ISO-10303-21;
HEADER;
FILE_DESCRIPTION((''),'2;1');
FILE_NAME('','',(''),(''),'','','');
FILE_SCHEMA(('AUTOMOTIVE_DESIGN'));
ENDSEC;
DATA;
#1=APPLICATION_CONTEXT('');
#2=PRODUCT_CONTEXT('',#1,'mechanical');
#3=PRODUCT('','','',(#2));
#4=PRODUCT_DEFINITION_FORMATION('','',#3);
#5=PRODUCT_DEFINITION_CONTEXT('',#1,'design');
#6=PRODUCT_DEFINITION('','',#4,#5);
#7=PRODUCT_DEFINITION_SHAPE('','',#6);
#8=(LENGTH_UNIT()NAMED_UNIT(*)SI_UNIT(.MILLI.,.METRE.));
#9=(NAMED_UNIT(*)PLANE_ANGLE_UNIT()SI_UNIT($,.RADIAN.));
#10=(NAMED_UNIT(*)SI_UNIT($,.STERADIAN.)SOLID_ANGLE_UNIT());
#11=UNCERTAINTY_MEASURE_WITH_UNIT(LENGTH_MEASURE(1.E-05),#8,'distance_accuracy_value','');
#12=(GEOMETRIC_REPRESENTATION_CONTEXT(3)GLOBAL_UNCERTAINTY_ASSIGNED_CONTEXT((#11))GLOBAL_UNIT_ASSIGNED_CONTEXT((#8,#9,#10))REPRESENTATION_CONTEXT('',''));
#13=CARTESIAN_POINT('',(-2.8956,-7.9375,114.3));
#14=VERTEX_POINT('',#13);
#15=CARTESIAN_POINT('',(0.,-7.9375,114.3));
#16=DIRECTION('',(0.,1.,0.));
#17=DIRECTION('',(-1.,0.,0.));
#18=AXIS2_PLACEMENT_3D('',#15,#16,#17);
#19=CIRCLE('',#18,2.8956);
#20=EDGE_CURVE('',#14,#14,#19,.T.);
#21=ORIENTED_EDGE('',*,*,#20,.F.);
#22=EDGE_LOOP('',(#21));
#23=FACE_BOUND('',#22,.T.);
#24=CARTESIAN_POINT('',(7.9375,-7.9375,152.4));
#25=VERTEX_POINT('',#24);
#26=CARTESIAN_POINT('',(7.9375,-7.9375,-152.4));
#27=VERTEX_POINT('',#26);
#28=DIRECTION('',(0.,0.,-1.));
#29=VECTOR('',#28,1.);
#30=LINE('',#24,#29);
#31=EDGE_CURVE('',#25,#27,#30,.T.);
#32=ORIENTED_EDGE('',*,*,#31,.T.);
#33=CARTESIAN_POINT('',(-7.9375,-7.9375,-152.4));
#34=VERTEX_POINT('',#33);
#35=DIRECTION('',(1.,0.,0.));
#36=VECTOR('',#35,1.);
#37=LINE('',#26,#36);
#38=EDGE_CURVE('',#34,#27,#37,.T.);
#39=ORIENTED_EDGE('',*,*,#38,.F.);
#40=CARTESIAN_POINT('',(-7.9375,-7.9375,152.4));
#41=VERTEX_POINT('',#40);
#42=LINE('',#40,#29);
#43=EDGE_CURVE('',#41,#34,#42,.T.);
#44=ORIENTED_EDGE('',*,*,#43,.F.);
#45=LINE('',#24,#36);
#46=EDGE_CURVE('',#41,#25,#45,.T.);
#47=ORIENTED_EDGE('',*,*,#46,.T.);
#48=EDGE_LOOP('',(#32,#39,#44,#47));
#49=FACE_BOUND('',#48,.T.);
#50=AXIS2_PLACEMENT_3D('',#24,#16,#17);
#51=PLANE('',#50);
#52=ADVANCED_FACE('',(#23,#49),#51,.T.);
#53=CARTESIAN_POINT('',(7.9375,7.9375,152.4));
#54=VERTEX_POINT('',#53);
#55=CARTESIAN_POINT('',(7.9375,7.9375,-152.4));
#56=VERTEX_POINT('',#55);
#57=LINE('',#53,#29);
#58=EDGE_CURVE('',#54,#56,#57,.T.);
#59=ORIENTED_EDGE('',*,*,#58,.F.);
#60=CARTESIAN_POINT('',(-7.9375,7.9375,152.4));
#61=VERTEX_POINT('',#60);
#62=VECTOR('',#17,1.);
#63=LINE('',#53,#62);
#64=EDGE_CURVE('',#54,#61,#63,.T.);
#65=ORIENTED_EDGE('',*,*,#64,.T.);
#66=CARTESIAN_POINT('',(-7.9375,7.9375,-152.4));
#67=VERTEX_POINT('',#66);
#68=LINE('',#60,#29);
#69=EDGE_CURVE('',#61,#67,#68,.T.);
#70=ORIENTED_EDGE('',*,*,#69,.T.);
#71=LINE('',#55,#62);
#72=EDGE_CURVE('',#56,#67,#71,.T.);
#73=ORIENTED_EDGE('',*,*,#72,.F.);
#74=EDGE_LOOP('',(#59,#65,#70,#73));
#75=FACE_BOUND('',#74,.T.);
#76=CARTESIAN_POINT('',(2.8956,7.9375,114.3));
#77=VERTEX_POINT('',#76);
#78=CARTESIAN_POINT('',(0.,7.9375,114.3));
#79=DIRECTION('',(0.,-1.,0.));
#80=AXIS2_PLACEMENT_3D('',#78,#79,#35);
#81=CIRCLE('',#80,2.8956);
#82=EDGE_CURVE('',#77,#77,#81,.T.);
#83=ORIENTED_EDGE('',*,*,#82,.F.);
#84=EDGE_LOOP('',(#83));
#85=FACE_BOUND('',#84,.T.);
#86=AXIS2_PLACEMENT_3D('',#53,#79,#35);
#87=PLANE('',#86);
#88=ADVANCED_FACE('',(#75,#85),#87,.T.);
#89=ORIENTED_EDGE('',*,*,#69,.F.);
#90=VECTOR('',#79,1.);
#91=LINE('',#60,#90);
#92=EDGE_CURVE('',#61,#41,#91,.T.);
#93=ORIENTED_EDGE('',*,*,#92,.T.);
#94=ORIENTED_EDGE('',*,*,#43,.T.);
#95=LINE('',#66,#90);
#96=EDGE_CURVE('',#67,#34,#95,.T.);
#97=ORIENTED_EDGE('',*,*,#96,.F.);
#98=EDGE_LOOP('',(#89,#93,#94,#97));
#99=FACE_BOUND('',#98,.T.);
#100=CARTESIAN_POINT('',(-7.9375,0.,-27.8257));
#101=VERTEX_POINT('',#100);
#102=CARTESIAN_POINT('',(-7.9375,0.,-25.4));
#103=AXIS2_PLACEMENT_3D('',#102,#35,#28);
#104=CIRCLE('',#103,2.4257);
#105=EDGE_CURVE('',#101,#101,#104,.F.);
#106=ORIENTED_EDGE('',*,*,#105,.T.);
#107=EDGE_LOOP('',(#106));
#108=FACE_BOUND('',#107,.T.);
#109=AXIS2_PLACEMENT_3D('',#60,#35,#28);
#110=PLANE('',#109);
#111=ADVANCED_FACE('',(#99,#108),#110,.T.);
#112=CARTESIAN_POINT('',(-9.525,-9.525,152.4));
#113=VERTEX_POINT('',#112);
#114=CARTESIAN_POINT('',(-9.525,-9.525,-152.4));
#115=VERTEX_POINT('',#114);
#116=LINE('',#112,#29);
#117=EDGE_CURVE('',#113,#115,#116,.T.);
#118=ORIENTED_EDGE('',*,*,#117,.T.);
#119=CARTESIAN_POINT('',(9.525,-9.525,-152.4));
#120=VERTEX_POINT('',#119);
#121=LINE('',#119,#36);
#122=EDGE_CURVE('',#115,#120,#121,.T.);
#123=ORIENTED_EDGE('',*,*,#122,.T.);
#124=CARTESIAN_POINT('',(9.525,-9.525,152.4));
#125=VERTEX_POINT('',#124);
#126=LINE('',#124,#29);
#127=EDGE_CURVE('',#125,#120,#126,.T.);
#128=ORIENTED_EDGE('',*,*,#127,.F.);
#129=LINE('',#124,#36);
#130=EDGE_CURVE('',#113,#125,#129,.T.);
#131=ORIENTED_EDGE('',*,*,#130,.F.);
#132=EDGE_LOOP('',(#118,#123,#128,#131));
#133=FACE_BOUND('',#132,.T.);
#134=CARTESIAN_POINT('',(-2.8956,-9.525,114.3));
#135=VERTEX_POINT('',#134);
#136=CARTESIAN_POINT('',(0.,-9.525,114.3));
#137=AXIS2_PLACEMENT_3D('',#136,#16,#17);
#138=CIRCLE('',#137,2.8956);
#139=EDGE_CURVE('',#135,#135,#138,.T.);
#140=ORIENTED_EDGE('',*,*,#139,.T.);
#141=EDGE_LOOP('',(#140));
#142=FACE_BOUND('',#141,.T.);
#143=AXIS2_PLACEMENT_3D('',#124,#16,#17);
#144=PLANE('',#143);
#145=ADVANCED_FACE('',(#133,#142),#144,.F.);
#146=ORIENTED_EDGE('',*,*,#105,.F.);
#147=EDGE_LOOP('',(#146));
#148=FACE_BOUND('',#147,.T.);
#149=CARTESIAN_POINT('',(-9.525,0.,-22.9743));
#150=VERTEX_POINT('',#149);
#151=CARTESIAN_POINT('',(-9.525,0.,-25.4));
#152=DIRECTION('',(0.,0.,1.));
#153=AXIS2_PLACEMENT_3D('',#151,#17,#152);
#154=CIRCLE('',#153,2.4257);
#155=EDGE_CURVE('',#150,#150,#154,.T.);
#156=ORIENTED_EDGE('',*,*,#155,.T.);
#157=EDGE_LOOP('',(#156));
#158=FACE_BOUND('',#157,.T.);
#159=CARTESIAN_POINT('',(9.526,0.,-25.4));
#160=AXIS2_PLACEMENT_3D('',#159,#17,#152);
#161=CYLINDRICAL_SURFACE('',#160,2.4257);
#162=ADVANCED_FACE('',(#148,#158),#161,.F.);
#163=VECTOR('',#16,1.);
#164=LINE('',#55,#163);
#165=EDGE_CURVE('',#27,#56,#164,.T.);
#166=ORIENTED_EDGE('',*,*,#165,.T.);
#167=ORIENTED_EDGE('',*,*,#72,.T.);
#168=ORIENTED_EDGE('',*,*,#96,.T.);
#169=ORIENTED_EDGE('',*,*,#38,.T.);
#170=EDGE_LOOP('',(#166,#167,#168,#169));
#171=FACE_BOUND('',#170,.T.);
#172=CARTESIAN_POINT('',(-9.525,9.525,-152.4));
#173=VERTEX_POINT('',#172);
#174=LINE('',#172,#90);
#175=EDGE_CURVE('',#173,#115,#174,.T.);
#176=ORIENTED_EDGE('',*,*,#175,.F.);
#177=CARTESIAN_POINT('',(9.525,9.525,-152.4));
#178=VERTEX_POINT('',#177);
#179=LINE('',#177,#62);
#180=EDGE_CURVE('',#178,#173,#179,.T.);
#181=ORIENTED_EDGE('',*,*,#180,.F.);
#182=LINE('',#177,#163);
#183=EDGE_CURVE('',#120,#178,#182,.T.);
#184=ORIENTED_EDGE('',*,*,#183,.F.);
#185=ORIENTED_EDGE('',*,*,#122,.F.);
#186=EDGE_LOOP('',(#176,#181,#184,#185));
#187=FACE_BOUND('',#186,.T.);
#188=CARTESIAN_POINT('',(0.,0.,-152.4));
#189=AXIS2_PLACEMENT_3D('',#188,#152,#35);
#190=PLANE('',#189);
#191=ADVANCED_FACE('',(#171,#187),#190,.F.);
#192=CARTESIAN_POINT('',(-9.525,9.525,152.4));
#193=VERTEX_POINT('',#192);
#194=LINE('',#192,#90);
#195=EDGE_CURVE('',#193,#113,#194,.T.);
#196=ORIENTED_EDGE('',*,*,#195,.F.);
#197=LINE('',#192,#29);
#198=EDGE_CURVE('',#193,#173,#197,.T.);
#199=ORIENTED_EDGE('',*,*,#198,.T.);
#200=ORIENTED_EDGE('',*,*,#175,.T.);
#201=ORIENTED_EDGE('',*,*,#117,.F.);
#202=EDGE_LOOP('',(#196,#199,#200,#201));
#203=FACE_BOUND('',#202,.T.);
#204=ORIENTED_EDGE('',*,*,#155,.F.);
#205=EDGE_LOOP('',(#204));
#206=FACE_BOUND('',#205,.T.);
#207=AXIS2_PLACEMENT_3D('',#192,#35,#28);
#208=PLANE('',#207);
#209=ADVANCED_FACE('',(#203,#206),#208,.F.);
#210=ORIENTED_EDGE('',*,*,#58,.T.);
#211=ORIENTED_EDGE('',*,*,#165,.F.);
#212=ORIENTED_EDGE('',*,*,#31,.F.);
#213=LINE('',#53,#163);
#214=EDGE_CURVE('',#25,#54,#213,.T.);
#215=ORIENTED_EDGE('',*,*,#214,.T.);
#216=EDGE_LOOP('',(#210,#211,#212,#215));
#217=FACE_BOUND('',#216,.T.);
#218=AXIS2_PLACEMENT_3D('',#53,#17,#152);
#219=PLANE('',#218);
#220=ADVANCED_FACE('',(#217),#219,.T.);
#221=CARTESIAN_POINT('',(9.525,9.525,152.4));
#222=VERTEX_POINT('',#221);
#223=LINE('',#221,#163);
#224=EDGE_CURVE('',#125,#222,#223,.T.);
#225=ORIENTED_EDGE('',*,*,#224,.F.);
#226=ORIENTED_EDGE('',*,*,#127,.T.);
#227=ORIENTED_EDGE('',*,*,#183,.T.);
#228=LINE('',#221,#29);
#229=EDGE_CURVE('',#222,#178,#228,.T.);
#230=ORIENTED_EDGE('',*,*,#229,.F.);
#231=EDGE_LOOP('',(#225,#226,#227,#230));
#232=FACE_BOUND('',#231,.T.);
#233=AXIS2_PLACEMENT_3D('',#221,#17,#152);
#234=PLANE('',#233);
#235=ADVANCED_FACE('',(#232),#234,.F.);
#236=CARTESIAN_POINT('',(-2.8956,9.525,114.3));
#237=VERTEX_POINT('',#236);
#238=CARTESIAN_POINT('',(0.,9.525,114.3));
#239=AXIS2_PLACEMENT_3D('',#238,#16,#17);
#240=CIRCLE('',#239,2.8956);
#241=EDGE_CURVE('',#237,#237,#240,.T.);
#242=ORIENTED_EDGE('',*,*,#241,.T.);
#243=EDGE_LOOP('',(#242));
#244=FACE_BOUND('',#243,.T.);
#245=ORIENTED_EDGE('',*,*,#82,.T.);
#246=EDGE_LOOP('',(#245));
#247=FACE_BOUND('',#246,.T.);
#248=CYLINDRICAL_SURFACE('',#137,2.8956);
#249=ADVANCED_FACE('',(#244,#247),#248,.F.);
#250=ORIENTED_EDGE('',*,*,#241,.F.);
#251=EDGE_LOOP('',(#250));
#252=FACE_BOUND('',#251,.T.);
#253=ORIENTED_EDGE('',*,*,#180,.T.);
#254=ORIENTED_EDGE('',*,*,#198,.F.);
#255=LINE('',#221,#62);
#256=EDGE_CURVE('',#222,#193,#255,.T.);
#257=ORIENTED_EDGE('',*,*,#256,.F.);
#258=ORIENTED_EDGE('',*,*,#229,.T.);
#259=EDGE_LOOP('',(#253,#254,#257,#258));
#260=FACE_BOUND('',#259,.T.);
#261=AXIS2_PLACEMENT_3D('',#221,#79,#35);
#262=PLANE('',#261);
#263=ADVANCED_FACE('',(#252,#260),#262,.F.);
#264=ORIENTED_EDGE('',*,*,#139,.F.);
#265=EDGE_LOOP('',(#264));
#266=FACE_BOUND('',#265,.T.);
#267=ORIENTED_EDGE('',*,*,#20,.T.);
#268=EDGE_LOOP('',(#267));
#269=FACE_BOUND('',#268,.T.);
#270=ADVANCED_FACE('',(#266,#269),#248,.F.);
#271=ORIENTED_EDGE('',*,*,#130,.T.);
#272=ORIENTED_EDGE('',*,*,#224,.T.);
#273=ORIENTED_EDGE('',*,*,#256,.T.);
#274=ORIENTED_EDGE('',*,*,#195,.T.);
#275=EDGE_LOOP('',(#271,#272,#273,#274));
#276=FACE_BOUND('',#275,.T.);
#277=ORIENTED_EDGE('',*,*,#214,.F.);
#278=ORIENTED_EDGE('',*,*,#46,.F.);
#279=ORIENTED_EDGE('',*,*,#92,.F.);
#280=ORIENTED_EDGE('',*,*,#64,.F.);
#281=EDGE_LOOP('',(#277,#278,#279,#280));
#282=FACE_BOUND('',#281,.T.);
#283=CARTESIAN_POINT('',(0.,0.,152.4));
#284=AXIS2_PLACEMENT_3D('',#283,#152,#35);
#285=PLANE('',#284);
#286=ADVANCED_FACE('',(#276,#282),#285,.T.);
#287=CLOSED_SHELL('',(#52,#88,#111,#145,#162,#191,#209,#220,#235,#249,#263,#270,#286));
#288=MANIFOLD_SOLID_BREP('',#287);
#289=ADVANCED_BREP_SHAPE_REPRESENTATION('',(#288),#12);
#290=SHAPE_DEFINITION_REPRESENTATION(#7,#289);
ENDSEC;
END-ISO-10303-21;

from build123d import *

# Parameters (mm, degrees)
SKETCH1_W                   = 19.05
SKETCH1_H                   = 19.05
SKETCH1_W_2                 = 15.875
SKETCH1_H_2                 = 15.875
BOSS_EXTRUDE1_DEPTH         = 152.4
SKETCH2_R                   = 2.8956
BASEPLATE_MOUNT_HOLE_DEPTH  = 154.881084364
PS_BRACKET_MOUNT_HOLE_REACH = 155.881
SKETCH3_R                   = 2.4257


with BuildPart() as part:
    # Sketch1 → Boss-Extrude1 (new, symmetric)
    with BuildSketch(Plane(origin=(0, 0, 0), x_dir=(0, -1, 0), z_dir=(0, 0, 1))):
        Rectangle(SKETCH1_W, SKETCH1_H)
        Rectangle(SKETCH1_W_2, SKETCH1_H_2, mode=Mode.SUBTRACT)
    extrude(amount=BOSS_EXTRUDE1_DEPTH, both=True)

    # Sketch2 → Baseplate Mount Hole (cut, through all)
    with BuildSketch(Plane(origin=(0, 9.525, 0), x_dir=(1, 0, 0), z_dir=(0, 1, 0))):
        with Locations(Location((0, -114.3, 0), (0, 0, 180))):
            Circle(SKETCH2_R)
    extrude(amount=-BASEPLATE_MOUNT_HOLE_DEPTH, mode=Mode.SUBTRACT)

    # Sketch3 → PS Bracket Mount Hole (cut, up to next)
    with BuildSketch(Plane.ZY.offset(9.525), mode=Mode.PRIVATE) as ps_bracket_mount_hole_sk1:
        with Locations((-25.4, 0)):
            Circle(SKETCH3_R)
    ps_bracket_mount_hole_tool1 = extrude(ps_bracket_mount_hole_sk1.sketch, amount=-PS_BRACKET_MOUNT_HOLE_REACH, mode=Mode.PRIVATE) & part.part
    add(ps_bracket_mount_hole_tool1.solids().sort_by_distance((-9.525, 0, -25.4))[0], mode=Mode.SUBTRACT)


solid = part.part
